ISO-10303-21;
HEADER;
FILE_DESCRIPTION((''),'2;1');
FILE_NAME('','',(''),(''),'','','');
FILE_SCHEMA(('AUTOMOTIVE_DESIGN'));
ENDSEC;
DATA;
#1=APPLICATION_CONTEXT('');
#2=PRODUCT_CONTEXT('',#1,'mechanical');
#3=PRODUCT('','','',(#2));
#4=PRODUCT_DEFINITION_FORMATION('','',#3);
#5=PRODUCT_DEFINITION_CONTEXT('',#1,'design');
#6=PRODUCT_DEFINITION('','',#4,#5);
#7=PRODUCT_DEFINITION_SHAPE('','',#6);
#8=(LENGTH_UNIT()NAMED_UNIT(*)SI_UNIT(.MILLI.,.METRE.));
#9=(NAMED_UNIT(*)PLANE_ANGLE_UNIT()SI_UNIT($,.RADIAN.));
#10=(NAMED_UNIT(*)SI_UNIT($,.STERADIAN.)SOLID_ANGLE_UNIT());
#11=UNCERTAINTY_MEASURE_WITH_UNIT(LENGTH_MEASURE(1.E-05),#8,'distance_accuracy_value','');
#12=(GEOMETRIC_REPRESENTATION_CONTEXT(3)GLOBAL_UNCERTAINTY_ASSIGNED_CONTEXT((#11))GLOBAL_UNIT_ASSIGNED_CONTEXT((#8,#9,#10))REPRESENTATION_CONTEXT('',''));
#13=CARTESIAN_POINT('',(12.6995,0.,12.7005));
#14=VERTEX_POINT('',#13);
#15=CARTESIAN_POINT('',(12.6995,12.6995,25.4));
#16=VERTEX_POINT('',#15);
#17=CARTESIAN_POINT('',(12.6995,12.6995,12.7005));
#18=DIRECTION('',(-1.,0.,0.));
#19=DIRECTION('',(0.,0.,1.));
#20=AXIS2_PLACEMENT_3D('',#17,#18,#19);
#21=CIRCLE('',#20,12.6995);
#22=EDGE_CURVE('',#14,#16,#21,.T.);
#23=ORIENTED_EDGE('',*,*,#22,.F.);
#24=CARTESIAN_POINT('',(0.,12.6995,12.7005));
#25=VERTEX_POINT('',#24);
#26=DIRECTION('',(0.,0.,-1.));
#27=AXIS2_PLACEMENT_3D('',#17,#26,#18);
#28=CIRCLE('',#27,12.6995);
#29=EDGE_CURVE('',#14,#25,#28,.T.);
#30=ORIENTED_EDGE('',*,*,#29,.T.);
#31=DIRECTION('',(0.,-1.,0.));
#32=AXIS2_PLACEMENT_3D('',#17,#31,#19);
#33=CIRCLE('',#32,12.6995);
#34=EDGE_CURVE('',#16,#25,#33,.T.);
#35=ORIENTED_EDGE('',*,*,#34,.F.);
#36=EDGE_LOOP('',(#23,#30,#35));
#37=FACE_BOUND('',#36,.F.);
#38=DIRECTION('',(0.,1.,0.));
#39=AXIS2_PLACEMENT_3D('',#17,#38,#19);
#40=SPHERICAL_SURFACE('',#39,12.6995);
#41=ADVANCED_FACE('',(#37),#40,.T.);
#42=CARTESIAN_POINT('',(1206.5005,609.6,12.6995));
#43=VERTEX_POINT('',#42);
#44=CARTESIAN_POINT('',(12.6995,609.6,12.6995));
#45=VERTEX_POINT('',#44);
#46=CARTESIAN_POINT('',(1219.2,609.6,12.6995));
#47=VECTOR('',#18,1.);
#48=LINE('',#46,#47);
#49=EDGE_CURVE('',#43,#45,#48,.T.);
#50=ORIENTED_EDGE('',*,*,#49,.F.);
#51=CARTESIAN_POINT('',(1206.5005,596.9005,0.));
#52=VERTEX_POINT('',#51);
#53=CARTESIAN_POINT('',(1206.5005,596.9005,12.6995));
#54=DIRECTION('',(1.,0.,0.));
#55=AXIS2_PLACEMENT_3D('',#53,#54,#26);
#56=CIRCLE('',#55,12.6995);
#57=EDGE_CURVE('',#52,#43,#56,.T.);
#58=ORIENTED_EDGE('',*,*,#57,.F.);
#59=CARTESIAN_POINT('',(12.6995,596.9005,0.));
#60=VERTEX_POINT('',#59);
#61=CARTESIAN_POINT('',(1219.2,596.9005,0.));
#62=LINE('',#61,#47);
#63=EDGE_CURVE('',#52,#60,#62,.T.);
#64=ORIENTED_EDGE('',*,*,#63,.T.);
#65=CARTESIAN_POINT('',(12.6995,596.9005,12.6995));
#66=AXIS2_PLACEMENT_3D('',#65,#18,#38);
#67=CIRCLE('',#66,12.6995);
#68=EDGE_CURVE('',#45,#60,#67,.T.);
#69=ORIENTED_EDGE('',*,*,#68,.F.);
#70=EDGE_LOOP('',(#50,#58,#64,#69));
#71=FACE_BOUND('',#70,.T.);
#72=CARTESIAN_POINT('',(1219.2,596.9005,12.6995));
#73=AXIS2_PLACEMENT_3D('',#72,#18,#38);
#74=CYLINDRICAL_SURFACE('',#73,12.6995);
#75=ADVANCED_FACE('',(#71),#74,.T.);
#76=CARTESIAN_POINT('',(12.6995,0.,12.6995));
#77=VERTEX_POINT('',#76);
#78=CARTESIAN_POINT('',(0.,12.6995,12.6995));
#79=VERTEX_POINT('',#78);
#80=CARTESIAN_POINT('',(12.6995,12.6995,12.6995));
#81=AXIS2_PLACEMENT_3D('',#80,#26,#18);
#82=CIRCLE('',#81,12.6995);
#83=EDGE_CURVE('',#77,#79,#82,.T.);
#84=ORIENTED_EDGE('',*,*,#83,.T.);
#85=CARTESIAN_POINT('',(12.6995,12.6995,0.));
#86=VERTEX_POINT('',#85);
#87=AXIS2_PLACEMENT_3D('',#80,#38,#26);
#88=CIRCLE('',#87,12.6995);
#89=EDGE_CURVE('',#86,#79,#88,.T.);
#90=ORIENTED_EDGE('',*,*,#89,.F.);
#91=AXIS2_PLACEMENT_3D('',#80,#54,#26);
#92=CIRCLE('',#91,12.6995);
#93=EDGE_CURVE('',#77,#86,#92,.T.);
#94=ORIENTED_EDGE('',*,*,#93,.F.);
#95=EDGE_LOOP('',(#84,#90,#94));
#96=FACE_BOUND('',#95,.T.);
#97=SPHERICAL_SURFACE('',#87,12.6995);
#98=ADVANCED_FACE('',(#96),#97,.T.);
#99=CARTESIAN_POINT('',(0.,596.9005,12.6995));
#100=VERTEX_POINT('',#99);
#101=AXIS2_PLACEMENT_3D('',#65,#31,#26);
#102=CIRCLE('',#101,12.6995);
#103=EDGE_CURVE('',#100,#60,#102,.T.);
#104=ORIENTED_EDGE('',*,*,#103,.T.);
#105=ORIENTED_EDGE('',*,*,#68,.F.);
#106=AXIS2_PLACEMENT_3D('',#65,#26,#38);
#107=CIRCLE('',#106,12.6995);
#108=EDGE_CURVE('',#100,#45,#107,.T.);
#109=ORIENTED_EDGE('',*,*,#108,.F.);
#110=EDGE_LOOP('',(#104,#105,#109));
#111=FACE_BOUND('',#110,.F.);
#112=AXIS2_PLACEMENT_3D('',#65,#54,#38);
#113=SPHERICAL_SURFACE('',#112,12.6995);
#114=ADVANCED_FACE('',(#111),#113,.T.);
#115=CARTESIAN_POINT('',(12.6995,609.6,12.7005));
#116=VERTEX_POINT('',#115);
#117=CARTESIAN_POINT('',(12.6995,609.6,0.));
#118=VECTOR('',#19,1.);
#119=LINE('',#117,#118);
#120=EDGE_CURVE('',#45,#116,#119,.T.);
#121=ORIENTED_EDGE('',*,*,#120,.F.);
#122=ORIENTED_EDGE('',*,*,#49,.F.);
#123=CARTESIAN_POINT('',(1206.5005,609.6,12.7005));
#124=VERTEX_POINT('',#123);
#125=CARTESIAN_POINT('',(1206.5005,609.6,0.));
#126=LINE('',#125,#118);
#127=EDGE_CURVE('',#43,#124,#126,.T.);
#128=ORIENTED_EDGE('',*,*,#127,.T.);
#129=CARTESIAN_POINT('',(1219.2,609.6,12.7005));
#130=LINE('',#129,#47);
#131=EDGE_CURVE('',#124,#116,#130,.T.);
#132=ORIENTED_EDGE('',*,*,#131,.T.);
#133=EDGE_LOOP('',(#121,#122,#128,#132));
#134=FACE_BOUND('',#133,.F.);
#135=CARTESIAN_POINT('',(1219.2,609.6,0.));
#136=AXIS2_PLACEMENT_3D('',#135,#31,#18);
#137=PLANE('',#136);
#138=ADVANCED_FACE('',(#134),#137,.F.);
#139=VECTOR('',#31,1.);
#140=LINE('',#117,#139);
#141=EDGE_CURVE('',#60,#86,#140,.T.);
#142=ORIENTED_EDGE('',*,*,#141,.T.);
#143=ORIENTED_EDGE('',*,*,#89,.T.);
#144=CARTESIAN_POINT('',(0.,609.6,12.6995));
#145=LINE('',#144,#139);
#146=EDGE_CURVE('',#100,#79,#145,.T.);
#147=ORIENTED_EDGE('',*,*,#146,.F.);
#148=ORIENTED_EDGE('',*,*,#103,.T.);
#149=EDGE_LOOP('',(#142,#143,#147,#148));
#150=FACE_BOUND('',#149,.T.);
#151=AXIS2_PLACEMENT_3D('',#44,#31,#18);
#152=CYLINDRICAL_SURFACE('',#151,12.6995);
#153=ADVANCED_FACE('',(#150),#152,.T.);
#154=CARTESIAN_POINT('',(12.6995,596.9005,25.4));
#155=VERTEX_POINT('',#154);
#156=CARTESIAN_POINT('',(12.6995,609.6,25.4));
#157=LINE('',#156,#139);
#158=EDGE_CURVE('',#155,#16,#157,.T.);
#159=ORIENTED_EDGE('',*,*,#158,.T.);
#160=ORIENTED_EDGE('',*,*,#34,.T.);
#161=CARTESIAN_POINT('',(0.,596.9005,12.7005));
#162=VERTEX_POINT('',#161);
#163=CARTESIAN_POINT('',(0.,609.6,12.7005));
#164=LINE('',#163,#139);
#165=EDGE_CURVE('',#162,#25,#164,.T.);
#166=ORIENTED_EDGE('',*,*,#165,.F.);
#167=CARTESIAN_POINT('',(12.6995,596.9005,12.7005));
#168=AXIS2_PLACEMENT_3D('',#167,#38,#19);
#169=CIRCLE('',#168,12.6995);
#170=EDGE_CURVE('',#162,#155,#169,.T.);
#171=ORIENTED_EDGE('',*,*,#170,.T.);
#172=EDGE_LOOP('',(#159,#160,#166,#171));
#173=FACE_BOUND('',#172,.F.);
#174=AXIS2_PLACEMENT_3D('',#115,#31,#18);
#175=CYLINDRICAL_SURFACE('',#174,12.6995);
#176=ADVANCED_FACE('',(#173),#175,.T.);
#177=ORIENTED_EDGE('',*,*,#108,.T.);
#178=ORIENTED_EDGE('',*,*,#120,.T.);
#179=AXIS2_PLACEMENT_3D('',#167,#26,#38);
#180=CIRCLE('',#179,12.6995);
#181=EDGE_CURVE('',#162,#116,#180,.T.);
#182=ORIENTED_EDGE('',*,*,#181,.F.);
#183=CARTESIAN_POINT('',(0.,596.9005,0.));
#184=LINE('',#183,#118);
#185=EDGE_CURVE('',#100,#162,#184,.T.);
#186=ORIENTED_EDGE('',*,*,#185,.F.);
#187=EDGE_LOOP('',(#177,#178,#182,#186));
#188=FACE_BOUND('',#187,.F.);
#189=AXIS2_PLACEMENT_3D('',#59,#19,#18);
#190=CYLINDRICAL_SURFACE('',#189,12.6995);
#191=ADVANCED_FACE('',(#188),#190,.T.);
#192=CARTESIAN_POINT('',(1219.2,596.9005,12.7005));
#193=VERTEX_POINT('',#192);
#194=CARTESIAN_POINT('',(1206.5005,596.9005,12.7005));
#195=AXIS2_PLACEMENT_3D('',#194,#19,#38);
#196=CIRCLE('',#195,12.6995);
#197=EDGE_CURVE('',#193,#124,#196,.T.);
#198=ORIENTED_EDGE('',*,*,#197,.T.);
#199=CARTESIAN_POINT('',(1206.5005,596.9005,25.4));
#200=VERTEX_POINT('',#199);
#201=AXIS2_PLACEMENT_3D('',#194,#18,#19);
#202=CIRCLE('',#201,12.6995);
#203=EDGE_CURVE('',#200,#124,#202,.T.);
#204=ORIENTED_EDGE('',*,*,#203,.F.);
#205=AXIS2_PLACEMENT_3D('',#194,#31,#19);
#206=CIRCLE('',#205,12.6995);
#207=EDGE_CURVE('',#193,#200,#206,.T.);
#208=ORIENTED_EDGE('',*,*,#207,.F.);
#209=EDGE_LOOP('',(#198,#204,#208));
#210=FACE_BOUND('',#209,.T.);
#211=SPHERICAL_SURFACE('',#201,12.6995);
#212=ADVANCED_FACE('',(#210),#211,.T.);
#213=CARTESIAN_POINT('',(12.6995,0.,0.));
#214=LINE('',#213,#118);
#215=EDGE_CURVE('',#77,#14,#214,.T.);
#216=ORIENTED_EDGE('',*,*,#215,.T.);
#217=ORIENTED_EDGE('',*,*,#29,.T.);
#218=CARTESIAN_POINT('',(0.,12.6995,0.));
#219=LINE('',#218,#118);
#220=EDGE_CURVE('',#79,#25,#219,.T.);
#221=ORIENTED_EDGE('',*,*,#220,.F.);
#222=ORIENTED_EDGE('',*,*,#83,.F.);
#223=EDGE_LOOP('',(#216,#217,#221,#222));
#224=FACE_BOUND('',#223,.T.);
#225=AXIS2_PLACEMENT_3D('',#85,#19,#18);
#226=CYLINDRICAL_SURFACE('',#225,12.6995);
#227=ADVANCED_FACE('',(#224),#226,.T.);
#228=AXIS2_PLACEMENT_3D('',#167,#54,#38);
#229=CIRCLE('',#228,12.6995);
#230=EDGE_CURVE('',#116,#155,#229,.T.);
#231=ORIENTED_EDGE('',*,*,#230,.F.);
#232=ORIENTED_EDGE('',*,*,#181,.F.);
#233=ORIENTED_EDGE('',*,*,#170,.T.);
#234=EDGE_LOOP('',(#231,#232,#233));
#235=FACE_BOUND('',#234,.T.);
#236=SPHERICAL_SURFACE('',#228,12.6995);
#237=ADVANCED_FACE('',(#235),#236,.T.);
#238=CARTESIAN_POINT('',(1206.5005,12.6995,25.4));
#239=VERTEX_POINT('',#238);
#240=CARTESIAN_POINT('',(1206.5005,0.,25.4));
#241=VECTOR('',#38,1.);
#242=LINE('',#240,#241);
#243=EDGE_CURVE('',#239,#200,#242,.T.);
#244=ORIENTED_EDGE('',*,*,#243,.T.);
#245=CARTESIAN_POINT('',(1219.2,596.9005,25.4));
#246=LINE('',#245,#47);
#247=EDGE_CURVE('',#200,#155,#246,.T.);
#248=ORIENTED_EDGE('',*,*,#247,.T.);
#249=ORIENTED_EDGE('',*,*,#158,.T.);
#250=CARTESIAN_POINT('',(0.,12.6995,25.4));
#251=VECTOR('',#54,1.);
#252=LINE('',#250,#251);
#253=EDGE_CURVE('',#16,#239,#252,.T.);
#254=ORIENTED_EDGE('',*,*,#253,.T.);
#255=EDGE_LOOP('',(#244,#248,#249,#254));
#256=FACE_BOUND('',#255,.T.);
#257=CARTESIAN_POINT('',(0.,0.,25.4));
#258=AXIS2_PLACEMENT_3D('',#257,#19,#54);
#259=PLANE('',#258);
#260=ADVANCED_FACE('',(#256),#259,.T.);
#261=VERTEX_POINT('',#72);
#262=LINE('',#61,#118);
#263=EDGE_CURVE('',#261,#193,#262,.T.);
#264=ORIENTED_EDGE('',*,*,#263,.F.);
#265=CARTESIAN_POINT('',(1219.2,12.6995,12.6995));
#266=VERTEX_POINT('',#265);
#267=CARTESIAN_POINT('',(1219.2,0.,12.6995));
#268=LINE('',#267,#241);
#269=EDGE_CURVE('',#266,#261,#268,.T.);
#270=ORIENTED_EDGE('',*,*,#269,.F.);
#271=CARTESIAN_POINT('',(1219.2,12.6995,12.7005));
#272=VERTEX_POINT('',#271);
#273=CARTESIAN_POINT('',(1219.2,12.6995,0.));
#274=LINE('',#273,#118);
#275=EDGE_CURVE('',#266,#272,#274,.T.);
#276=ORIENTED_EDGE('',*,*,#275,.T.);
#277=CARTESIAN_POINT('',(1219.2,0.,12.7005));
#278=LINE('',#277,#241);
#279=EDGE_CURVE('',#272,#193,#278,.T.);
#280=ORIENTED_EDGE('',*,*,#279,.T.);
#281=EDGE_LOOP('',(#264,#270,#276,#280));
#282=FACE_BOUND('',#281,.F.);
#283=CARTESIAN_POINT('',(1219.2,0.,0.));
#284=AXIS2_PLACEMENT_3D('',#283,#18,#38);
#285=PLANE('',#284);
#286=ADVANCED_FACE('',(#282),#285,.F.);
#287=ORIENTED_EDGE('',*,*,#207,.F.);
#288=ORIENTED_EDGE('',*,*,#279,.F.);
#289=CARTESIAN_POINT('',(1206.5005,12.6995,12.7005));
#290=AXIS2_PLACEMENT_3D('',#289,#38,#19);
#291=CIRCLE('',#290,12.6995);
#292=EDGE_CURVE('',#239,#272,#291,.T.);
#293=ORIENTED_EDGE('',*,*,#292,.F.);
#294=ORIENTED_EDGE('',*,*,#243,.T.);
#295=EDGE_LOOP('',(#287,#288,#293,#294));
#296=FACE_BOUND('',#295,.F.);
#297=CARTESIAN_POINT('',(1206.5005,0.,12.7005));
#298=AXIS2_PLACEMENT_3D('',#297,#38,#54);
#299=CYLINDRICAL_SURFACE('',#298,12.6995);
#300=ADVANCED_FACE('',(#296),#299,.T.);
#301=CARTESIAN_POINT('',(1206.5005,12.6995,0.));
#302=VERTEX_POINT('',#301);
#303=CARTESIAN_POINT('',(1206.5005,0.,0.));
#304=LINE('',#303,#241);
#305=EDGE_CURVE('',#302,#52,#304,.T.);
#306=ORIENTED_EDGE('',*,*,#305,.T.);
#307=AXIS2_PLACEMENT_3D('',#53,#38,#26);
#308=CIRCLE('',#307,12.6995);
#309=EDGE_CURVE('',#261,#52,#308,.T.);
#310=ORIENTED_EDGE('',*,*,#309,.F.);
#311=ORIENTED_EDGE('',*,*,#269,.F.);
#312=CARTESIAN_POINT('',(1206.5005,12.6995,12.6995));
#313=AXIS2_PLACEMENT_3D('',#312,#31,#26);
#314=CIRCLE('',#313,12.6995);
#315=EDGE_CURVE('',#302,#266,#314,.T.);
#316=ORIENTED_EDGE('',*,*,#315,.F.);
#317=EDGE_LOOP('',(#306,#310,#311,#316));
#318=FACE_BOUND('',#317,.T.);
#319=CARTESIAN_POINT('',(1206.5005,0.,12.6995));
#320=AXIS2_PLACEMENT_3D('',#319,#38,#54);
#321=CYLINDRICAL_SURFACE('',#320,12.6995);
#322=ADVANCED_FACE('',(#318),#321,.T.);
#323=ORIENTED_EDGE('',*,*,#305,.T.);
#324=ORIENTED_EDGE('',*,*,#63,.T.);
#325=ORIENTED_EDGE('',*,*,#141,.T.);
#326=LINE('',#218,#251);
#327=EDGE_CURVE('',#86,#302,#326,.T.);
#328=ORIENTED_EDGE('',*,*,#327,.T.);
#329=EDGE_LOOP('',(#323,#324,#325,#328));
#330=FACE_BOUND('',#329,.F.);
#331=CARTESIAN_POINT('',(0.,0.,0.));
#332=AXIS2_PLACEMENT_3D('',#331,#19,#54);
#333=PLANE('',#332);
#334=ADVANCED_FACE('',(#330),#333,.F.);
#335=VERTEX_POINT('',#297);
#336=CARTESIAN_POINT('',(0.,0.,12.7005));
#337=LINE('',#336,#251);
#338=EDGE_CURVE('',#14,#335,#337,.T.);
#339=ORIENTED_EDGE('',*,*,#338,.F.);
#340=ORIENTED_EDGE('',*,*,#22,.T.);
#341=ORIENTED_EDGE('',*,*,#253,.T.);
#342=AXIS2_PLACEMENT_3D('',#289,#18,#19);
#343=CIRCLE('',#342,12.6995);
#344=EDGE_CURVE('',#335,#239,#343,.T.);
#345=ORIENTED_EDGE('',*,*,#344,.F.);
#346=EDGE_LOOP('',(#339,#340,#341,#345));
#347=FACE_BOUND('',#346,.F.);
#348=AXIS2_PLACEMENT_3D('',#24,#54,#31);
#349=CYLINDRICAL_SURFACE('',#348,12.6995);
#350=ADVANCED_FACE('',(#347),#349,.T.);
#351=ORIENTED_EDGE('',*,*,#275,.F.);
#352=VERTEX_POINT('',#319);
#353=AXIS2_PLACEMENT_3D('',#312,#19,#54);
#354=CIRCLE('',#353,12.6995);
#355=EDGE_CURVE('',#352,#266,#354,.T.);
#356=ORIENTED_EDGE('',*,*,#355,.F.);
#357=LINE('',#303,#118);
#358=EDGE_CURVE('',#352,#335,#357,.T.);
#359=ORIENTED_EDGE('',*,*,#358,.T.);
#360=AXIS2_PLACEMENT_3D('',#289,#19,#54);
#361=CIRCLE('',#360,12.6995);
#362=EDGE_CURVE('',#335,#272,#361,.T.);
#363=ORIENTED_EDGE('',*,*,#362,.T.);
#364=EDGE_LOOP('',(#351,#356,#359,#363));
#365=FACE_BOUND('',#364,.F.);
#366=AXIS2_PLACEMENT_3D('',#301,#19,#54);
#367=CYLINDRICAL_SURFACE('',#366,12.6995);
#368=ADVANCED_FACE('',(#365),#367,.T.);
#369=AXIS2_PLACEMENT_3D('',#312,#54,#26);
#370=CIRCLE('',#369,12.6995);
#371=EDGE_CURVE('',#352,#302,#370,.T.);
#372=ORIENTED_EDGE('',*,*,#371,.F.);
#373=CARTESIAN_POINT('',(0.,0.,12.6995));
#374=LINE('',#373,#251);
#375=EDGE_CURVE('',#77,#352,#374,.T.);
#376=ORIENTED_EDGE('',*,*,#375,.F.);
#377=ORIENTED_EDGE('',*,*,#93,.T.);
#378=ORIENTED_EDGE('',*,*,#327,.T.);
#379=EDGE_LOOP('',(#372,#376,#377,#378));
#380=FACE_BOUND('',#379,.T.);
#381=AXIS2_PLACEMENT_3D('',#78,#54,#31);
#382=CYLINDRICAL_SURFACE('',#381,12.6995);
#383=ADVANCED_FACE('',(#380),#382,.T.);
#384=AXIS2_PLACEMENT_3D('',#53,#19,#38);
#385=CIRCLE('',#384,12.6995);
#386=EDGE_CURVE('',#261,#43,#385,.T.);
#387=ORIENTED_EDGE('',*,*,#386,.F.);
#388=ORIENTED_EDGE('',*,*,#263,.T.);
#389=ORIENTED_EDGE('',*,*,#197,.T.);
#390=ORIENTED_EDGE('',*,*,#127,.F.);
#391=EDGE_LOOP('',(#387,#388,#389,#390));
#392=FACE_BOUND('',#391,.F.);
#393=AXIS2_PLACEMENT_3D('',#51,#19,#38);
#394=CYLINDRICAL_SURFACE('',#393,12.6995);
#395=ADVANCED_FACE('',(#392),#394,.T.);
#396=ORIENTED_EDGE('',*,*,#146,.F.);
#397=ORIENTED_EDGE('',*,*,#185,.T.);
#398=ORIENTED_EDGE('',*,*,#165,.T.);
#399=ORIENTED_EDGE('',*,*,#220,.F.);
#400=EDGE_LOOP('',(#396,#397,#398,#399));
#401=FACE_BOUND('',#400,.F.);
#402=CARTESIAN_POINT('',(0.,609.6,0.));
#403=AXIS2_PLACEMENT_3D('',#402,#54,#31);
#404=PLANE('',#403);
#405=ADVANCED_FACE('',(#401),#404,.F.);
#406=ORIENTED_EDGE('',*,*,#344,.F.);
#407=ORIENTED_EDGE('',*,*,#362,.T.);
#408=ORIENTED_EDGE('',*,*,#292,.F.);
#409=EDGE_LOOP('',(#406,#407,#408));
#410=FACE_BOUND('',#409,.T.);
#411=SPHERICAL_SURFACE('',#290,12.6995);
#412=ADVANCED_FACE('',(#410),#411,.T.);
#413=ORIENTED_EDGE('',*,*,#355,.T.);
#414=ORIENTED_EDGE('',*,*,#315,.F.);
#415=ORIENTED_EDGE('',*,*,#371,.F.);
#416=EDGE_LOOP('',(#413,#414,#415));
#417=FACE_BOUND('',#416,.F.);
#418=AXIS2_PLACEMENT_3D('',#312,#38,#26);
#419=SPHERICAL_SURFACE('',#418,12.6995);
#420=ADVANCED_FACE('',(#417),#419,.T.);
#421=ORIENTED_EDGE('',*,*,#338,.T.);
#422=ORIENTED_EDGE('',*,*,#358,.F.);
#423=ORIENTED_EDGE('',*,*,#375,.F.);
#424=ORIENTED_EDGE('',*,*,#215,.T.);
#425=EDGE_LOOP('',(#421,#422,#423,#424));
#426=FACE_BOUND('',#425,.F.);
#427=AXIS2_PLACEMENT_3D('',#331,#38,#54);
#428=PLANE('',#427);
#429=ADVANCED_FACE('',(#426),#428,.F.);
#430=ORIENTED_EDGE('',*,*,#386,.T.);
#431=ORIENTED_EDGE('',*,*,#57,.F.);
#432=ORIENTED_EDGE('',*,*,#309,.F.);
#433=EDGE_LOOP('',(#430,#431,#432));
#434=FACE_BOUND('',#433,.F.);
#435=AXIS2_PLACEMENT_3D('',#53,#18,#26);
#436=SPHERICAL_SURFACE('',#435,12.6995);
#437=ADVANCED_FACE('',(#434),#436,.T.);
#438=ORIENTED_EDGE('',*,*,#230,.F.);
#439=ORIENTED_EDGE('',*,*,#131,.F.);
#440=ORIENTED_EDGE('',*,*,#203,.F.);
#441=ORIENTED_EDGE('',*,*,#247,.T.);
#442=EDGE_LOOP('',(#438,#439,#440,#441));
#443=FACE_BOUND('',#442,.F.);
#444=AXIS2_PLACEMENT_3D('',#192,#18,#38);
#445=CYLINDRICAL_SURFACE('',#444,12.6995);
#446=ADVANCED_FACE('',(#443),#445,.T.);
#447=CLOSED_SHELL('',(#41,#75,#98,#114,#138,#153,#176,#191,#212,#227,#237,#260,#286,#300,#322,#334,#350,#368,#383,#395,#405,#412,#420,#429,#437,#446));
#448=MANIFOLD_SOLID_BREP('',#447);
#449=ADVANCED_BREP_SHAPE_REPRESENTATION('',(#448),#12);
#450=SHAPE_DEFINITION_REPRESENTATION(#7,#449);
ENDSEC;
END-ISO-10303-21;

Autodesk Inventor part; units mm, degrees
ref_plane "YZ Plane" through (0, 0, 0) normal (1, 0, 0) x (0, 1, 0)
ref_plane "XZ Plane" through (0, 0, 0) normal (0, 1, 0) x (-1, 0, 0)
ref_plane "XY Plane" through (0, 0, 0) normal (0, 0, 1) x (1, 0, 0)
sketch "Sketch1" plane through (0, 0, 0) normal (0, 0, 1) x (1, 0, 0)
  line L0 (0, 0) -> (1219.2, 0)
  line L1 (1219.2, 0) -> (1219.2, 609.6)
  line L2 (1219.2, 609.6) -> (0, 609.6)
  line L3 (0, 609.6) -> (0, 0)
  dimension "d0" = 1219.2
  dimension "d1" = 609.6
extrude "Extrusion1" add sketch "Sketch1" along normal blind 25.4
fillet "Fillet1" radius 12.7 12 edges at (609.6, 609.6, 25.4) (609.6, 609.6, 0) (1219.2, 304.8, 25.4) (1219.2, 304.8, 0) (1219.2, 609.6, 12.7) (0, 609.6, 12.7) (0, 304.8, 25.4) (0, 304.8, 0) (609.6, 0, 0) (609.6, 0, 25.4) (0, 0, 12.7) (1219.2, 0, 12.7)
properties part number "BasePlate"
